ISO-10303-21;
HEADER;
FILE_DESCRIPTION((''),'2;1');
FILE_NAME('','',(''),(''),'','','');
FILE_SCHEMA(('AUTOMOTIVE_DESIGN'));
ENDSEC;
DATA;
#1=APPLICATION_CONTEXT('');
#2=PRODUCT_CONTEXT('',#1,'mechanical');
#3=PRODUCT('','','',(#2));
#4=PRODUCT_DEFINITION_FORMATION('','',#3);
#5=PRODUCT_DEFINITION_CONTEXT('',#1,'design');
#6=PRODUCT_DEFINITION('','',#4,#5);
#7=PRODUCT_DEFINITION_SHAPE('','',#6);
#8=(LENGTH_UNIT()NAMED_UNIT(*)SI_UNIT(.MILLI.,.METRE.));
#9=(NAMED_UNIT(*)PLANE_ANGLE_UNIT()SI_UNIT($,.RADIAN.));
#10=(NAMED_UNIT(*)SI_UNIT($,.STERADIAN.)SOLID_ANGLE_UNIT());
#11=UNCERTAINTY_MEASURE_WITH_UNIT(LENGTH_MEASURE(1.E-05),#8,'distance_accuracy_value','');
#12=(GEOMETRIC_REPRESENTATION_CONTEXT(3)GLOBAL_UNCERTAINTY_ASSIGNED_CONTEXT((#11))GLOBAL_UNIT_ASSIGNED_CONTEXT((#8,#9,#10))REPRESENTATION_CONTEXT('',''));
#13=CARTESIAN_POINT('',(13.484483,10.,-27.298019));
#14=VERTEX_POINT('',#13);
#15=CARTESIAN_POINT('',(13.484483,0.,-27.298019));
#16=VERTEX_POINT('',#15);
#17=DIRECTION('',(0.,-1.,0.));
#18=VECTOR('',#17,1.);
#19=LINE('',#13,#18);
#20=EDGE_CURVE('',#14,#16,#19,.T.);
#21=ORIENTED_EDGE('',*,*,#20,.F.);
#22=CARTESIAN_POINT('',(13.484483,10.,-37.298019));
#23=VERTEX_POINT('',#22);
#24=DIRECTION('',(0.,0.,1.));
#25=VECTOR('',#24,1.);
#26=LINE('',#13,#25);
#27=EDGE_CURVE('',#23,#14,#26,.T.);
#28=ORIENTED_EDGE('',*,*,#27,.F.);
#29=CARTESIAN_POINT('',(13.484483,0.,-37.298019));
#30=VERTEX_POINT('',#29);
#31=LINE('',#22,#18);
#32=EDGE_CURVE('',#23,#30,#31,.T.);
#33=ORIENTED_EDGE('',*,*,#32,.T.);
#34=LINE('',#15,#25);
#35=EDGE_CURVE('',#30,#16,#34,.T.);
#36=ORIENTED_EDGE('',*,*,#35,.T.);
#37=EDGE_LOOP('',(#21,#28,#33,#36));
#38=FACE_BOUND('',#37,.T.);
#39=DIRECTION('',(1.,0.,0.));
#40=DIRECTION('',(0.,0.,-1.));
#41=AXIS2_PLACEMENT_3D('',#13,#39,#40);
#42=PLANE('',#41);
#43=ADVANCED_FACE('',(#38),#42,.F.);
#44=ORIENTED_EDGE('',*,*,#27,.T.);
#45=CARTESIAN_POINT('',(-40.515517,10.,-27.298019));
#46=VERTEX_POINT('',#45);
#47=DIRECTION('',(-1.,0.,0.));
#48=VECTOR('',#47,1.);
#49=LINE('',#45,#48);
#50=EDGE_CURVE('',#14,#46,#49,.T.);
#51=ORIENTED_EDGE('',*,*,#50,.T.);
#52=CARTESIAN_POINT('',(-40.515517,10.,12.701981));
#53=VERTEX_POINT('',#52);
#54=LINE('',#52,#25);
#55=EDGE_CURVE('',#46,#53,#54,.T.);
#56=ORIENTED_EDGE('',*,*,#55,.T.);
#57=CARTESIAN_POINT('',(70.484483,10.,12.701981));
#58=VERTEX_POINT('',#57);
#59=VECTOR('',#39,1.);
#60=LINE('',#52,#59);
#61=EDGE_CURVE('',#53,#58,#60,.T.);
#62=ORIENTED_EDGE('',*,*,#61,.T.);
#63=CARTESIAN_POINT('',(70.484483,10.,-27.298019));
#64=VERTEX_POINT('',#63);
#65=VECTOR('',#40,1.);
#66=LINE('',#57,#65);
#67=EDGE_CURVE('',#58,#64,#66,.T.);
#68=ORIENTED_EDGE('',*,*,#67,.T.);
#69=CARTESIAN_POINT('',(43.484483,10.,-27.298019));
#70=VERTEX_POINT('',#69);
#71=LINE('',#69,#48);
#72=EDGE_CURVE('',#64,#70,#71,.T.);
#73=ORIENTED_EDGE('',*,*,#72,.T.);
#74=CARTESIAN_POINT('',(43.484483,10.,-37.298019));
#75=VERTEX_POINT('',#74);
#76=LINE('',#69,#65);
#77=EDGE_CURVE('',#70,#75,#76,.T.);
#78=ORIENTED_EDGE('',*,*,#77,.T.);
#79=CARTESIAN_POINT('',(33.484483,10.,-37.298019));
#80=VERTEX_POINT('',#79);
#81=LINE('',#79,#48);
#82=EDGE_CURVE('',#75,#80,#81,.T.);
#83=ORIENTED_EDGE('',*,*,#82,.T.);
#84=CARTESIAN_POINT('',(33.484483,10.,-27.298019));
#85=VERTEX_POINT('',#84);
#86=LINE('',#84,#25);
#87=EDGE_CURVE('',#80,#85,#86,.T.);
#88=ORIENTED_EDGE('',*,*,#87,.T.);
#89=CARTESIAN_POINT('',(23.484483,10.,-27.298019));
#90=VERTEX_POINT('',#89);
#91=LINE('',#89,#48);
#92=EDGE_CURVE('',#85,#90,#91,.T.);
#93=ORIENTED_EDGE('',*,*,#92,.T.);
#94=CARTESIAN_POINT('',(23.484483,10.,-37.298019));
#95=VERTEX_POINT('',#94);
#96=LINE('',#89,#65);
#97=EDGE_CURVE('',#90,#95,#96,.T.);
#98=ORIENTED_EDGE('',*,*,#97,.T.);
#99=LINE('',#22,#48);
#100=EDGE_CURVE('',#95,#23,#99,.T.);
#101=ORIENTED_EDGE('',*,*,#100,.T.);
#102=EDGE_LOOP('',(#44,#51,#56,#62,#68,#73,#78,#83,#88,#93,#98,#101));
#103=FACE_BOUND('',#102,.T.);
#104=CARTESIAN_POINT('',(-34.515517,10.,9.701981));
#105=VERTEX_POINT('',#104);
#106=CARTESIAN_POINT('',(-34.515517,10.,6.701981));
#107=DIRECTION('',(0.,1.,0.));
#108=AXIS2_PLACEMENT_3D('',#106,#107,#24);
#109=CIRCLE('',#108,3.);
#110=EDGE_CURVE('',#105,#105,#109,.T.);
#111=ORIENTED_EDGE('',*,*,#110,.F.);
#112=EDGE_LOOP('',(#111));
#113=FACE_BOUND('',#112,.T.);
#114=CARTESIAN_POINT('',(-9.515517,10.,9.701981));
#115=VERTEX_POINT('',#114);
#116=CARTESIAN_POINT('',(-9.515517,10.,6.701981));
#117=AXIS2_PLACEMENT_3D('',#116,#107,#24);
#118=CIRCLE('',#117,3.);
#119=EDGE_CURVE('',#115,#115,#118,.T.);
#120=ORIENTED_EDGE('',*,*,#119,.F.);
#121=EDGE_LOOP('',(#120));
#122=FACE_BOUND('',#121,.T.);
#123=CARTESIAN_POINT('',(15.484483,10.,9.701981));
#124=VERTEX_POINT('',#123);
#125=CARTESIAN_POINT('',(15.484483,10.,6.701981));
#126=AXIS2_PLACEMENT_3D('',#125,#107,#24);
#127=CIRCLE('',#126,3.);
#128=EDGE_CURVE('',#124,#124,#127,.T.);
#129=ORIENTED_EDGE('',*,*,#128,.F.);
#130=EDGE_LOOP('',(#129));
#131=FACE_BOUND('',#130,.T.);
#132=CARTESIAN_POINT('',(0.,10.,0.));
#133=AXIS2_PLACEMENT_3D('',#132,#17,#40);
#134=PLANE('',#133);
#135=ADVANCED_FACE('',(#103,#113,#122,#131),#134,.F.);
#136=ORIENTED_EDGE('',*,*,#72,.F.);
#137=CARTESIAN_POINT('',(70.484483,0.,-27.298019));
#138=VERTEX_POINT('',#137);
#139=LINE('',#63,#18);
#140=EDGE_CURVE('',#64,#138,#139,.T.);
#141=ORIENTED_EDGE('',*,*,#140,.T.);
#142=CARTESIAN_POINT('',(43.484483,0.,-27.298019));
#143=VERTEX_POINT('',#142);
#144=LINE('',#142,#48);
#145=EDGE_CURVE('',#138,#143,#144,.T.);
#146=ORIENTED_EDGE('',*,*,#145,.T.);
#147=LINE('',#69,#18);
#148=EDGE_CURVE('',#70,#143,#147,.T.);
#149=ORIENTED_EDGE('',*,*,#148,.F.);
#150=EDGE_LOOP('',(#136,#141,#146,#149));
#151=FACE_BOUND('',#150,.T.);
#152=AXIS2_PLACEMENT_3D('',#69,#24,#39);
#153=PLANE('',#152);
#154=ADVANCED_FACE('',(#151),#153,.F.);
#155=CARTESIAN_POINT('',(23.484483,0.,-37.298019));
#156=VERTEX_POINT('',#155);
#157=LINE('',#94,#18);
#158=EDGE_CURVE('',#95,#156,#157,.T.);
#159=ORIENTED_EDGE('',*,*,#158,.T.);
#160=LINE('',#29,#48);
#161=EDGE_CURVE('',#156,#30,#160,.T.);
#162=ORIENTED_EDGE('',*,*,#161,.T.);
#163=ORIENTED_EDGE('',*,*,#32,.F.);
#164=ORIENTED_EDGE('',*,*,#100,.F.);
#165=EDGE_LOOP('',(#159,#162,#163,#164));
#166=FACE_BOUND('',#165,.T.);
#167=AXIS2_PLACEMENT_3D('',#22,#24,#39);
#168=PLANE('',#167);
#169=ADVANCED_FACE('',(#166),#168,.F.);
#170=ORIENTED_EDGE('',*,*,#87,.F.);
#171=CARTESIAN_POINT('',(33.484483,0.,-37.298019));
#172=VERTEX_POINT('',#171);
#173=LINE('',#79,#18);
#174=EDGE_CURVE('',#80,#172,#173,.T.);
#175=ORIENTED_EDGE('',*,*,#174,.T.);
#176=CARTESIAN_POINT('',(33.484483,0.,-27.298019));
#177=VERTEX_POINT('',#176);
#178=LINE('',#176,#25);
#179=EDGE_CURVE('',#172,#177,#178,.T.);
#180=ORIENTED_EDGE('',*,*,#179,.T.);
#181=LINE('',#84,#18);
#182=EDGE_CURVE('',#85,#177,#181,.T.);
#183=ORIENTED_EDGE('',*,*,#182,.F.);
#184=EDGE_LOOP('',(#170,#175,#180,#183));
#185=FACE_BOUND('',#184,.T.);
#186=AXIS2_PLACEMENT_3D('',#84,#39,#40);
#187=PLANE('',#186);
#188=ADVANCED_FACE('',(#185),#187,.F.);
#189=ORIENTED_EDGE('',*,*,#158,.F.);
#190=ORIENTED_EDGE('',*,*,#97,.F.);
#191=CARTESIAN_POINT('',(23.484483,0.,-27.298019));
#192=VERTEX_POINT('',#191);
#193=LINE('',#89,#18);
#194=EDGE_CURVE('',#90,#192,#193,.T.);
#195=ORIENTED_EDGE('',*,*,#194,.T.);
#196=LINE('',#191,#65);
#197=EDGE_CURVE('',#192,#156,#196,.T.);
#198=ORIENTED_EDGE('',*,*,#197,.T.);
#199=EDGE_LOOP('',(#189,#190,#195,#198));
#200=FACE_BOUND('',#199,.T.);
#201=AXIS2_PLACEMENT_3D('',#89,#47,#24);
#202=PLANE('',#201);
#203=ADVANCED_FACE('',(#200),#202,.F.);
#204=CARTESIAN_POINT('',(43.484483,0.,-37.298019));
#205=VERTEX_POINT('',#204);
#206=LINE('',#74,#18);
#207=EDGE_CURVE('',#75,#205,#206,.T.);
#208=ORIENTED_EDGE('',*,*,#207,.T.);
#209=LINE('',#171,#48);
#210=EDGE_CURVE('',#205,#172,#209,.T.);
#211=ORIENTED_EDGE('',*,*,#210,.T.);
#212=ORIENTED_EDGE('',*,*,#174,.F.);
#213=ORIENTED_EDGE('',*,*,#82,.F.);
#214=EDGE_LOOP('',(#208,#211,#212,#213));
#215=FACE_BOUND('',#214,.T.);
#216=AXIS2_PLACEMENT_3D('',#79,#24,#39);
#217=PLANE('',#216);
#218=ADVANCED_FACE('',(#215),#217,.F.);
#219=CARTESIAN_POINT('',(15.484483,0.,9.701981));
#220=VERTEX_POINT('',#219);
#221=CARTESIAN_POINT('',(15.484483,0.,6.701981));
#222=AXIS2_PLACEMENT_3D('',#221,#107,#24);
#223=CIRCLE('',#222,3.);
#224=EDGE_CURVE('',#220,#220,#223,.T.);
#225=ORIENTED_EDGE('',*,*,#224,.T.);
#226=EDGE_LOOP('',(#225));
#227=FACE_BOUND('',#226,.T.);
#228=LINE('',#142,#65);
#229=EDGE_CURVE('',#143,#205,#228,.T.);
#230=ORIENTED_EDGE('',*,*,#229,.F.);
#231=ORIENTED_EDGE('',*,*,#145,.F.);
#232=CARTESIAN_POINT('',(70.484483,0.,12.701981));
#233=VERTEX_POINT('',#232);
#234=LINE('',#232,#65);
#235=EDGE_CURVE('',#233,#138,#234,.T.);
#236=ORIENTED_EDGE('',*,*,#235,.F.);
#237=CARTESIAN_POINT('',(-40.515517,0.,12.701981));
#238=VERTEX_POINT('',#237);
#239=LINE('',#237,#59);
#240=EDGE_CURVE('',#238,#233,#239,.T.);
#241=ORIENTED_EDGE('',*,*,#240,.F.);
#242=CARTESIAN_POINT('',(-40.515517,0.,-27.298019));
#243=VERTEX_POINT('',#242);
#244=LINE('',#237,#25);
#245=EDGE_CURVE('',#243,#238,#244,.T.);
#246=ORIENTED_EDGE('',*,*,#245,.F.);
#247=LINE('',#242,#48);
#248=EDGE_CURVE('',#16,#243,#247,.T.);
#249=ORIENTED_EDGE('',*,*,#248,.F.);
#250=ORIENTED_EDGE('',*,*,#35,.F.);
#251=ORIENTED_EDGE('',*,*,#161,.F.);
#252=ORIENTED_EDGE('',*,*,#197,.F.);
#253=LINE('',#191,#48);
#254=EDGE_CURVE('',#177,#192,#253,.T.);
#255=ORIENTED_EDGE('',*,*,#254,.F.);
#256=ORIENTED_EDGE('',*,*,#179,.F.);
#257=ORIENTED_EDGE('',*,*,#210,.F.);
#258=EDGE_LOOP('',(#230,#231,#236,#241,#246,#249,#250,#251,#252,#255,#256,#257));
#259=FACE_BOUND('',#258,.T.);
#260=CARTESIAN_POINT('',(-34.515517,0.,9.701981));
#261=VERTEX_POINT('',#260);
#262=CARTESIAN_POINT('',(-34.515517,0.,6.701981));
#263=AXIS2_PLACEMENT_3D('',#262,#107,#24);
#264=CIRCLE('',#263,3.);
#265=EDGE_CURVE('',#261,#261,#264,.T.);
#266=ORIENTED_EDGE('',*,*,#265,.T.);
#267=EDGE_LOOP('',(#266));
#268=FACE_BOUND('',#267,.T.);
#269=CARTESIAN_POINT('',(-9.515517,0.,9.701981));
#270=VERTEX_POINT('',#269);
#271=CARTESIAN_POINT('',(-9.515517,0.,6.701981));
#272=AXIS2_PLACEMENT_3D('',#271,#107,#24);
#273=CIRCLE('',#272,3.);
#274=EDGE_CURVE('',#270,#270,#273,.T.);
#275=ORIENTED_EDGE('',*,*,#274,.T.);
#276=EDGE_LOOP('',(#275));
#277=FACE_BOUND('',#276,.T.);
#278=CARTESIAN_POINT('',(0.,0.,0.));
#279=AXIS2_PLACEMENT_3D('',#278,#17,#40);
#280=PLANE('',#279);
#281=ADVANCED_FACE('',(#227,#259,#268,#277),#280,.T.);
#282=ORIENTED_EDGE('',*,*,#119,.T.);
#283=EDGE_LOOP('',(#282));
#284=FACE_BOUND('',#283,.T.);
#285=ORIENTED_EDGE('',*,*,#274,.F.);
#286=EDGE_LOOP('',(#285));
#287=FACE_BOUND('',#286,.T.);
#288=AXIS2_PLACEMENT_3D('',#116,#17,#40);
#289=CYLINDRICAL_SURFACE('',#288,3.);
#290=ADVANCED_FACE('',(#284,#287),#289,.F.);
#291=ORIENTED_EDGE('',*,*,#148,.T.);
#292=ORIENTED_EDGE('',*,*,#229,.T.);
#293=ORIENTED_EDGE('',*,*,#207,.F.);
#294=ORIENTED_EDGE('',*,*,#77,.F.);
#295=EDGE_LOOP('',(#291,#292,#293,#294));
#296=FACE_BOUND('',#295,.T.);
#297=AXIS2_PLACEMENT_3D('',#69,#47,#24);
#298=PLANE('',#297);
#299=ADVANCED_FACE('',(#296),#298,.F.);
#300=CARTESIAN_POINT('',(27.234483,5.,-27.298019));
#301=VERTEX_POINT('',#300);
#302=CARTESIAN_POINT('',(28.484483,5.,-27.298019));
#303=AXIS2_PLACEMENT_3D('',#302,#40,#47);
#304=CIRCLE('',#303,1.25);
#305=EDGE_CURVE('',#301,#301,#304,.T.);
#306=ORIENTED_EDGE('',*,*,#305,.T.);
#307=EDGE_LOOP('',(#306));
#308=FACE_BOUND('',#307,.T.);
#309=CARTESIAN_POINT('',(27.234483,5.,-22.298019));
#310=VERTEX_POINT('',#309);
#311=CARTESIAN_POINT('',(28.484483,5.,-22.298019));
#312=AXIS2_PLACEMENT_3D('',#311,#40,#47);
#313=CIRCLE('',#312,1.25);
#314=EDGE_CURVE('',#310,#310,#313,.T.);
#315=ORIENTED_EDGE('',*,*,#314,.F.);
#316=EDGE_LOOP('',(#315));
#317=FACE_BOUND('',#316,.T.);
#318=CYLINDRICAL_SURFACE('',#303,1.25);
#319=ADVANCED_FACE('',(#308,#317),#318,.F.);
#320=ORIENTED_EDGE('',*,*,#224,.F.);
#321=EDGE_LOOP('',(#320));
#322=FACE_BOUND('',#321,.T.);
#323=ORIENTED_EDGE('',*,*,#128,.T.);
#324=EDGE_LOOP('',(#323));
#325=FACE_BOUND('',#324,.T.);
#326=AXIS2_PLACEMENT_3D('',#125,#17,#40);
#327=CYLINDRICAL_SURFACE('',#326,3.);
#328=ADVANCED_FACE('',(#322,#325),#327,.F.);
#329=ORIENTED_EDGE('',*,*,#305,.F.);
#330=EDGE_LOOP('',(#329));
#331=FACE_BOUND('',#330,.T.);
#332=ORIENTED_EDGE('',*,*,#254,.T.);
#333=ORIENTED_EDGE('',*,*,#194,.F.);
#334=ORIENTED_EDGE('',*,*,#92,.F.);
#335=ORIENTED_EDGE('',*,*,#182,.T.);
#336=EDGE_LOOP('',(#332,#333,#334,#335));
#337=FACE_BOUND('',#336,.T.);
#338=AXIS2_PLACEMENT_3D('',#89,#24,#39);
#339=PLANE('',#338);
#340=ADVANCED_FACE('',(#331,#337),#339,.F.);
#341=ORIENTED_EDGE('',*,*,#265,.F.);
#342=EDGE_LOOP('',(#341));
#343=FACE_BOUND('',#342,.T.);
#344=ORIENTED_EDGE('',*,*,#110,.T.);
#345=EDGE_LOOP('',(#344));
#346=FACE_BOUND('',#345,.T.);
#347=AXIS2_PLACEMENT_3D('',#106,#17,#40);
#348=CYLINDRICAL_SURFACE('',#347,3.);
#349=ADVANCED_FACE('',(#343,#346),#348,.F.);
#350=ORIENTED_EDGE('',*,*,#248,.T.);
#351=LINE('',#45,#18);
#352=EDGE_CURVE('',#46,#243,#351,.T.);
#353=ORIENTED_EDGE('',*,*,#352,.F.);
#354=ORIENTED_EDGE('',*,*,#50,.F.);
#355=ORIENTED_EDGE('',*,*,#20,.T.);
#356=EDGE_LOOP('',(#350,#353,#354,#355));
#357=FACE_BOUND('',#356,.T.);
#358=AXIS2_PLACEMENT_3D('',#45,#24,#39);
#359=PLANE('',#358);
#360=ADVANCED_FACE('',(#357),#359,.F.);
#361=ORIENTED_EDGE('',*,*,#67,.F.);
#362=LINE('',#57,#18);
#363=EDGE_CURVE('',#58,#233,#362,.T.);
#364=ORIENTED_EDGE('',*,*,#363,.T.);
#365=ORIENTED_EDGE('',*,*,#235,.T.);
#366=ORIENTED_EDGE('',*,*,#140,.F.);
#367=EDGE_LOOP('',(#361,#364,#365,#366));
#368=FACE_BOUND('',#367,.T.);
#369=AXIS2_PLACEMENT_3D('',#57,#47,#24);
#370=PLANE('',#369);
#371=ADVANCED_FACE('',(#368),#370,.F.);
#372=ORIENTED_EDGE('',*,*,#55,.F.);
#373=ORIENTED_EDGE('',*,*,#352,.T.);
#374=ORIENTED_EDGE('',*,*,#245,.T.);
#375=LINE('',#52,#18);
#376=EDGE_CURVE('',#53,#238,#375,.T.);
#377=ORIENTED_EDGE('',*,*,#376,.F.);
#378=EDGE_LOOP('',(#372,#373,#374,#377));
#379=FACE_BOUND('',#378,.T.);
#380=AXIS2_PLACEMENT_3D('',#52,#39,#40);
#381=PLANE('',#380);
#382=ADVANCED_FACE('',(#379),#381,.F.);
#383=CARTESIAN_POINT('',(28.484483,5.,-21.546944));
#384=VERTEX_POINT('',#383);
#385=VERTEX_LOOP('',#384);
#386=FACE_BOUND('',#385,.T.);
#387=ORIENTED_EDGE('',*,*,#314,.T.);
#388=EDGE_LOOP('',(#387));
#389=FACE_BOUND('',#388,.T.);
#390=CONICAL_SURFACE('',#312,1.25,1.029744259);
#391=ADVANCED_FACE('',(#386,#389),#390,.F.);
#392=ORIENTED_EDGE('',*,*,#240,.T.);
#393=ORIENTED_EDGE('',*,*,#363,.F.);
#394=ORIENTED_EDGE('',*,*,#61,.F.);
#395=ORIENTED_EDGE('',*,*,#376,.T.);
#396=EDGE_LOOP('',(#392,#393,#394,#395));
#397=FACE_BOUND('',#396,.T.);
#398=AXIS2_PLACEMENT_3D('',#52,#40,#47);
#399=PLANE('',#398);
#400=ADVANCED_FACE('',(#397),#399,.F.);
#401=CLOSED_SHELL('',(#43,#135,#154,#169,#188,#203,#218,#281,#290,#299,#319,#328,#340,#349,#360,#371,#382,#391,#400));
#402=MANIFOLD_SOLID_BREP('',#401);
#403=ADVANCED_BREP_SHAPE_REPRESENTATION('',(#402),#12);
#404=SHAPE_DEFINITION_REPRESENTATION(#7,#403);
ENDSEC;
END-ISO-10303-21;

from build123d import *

# Parameters (mm, degrees)
SKETCH1_R                 = 3
BOSS_EXTRUDE1_DEPTH       = 10
M3X0_5_TAPPED_HOLE1_D     = 2.5
M3X0_5_TAPPED_HOLE1_DEPTH = 5
M3X0_5_TAPPED_HOLE1_TIP   = 0.751075774


with BuildPart() as part:
    # Sketch1 → Boss-Extrude1 (new body)
    with BuildSketch(Plane(origin=(0, 0, 0), x_dir=(1, 0, 0), z_dir=(0, 1, 0))):
        Polygon((23.48448278, 27.298019474), (33.48448278, 27.298019474), (33.48448278, 37.298019474), (43.48448278, 37.298019474), (43.48448278, 27.298019474), (70.48448278, 27.298019474), (70.48448278, -12.701980526), (-40.51551722, -12.701980526), (-40.51551722, 27.298019474), (13.48448278, 27.298019474), (13.48448278, 37.298019474), (23.48448278, 37.298019474), align=None)
        with Locations(Location((-34.51551722, -6.701980526, 0), (0, 0, 270))):
            Circle(SKETCH1_R, mode=Mode.SUBTRACT)
        with Locations(Location((-9.51551722, -6.701980526, 0), (0, 0, 270))):
            Circle(SKETCH1_R, mode=Mode.SUBTRACT)
        with Locations(Location((15.48448278, -6.701980526, 0), (0, 0, 270))):
            Circle(SKETCH1_R, mode=Mode.SUBTRACT)
    extrude(amount=BOSS_EXTRUDE1_DEPTH)

    # M3x0.5 Tapped Hole1
    with Locations(Plane(origin=(0, 0, -27.298019474), x_dir=(-1, 0, 0), z_dir=(0, 0, -1))):
        with Locations((-28.48448278, 5)):
            Hole(M3X0_5_TAPPED_HOLE1_D / 2, depth=M3X0_5_TAPPED_HOLE1_DEPTH)
            with Locations((0, 0, -(M3X0_5_TAPPED_HOLE1_DEPTH + M3X0_5_TAPPED_HOLE1_TIP / 2))):  # 118° drill point
                Cone(0, M3X0_5_TAPPED_HOLE1_D / 2, M3X0_5_TAPPED_HOLE1_TIP, mode=Mode.SUBTRACT)


solid = part.part
